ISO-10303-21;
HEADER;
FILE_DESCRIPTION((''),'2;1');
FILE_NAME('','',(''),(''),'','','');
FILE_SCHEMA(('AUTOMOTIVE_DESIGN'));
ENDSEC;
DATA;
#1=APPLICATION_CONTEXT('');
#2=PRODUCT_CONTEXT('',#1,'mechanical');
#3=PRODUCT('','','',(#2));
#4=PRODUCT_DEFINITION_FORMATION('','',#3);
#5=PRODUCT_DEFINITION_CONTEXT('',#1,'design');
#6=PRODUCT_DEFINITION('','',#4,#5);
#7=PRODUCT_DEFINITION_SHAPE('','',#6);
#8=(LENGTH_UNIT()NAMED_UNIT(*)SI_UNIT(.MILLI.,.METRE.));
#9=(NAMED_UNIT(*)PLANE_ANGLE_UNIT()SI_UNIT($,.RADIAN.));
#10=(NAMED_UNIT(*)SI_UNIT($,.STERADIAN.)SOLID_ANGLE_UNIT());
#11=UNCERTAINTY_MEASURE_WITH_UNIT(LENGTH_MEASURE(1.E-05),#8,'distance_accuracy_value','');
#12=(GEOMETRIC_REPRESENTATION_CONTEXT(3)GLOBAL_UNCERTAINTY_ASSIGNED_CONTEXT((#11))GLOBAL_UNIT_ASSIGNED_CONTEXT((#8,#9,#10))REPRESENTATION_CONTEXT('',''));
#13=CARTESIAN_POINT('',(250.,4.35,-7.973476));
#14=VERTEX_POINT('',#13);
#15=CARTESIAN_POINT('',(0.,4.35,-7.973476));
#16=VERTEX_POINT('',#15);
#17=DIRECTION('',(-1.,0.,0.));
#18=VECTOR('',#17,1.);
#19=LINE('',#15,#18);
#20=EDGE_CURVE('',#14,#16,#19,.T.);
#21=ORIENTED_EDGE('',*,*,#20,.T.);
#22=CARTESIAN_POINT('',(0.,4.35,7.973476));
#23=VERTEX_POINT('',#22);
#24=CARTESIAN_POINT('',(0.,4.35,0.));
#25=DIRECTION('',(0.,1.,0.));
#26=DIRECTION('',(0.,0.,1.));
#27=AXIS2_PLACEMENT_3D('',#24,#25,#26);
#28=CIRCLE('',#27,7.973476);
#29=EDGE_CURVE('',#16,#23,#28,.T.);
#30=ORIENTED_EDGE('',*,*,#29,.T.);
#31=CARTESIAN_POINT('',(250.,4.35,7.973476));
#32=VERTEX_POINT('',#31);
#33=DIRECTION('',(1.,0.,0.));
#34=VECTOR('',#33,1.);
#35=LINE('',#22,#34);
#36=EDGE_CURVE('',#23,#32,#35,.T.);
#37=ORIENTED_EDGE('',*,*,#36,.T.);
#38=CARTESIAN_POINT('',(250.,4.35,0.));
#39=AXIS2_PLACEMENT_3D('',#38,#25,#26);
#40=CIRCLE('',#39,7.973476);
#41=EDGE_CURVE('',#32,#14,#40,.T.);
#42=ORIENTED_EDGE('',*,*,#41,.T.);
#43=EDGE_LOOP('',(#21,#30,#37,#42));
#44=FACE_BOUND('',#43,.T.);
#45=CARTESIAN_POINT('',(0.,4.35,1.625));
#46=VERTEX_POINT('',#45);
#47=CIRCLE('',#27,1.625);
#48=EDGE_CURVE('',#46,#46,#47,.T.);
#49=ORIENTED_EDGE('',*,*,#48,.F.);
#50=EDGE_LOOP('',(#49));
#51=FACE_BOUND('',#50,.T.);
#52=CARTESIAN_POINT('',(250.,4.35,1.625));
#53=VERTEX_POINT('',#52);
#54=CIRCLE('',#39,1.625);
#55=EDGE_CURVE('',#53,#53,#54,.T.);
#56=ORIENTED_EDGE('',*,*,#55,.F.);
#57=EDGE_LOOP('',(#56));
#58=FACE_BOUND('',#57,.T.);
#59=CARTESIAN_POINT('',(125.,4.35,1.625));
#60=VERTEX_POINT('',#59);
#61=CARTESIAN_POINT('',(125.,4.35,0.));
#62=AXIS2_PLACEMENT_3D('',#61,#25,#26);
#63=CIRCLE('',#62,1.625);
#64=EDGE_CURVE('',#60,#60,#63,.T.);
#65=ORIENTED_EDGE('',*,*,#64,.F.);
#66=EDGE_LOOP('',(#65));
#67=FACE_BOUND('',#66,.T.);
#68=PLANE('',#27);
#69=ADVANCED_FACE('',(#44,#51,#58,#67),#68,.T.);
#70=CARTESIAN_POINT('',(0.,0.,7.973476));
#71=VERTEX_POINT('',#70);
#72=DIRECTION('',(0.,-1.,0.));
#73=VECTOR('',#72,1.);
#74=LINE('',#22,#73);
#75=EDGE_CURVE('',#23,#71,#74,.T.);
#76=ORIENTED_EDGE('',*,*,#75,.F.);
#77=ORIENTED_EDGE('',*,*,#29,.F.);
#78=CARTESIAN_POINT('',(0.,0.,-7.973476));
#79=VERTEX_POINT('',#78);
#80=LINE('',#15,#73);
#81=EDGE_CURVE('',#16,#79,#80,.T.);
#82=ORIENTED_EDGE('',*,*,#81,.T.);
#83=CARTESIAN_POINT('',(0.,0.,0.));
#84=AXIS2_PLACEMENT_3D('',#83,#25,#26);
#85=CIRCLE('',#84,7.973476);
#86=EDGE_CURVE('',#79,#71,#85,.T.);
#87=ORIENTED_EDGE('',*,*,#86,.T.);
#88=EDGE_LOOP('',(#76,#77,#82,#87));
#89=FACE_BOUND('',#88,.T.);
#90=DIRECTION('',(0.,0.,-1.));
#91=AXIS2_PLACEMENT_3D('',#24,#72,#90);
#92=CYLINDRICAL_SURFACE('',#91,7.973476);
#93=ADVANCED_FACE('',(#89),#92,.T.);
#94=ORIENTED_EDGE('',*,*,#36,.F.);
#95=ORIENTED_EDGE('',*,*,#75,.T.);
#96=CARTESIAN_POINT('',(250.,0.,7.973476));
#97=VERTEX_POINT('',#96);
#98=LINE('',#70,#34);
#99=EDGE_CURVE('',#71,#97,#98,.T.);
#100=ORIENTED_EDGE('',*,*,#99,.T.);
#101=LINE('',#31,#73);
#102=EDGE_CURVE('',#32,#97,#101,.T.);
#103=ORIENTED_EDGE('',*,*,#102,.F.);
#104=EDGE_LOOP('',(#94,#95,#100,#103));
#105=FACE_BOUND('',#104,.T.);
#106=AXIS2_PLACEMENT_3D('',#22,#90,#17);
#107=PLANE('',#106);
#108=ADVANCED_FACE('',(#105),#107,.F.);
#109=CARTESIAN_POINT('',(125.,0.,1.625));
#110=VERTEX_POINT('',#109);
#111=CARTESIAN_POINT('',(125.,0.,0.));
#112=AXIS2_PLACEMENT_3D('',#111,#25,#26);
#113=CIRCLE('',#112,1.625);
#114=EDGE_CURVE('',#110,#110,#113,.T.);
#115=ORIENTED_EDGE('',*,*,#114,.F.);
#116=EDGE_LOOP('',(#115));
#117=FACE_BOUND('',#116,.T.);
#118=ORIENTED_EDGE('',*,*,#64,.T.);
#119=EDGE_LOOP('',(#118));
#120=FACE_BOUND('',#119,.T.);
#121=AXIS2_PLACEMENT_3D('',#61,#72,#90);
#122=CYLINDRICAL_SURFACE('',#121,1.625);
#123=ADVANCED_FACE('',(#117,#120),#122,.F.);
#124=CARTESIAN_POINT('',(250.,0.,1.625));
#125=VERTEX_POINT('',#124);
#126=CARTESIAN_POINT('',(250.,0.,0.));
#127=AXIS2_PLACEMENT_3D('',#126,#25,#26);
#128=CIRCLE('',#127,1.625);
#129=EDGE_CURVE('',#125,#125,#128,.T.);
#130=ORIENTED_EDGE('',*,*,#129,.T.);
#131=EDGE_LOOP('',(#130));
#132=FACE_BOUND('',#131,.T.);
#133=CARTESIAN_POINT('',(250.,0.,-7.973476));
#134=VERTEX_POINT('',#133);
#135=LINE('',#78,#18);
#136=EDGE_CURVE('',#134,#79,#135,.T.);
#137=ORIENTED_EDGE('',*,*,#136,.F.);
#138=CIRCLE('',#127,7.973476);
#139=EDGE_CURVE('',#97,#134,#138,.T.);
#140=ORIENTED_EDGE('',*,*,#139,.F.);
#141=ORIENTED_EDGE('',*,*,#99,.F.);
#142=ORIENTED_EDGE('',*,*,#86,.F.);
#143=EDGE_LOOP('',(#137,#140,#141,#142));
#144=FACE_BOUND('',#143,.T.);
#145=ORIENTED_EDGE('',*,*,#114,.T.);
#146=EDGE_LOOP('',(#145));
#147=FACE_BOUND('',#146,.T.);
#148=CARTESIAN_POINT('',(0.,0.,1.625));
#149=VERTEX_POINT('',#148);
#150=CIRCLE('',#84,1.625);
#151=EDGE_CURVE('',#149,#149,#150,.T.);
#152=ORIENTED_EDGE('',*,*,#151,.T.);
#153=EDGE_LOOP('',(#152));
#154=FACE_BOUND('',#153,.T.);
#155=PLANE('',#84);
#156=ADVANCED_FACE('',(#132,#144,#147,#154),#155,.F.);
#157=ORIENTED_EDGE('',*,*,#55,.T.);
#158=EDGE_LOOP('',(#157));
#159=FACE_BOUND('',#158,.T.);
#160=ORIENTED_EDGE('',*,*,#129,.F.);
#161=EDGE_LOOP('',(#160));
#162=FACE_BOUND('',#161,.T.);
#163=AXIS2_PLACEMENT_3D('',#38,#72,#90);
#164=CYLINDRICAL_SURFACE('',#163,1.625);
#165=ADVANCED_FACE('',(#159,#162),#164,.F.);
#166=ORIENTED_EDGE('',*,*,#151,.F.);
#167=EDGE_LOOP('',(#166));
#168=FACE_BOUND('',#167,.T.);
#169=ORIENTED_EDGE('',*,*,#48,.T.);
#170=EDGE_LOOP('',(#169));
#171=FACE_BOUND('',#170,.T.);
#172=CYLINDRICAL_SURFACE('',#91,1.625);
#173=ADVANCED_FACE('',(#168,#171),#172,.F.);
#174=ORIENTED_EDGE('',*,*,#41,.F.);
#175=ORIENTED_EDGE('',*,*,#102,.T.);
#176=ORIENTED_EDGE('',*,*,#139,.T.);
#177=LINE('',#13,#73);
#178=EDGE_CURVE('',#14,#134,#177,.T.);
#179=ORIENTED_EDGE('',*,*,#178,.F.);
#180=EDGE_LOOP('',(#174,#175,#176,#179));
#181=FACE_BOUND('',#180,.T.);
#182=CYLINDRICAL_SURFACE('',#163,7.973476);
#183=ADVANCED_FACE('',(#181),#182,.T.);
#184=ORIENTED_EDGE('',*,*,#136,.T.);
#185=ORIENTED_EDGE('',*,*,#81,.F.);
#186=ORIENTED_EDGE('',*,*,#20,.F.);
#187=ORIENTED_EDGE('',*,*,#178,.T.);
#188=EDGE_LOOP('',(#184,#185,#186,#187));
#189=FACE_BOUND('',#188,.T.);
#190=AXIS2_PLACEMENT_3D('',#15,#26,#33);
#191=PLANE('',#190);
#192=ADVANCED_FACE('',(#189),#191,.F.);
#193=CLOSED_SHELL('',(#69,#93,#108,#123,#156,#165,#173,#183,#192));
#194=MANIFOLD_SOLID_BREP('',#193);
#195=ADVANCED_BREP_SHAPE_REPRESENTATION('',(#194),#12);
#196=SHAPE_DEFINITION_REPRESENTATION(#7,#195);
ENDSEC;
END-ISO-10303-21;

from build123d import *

# Parameters (mm, degrees)
SKETCH1_R           = 1.625
BOSS_EXTRUDE1_DEPTH = 4.35


with BuildPart() as part:
    # Sketch1 → Boss-Extrude1 (new body)
    with BuildSketch(Plane(origin=(0, 0, 0), x_dir=(1, 0, 0), z_dir=(0, 1, 0))):
        with BuildLine():
            Line((0, 7.973476097), (250, 7.973476097))
            ThreePointArc((250, 7.973476097), (257.973476097, 0), (250, -7.973476097))
            Line((250, -7.973476097), (0, -7.973476097))
            ThreePointArc((0, -7.973476097), (-7.973476097, 0), (0, 7.973476097))
        make_face()
        with Locations(Location((250, 0, 0), (0, 0, 270))):
            Circle(SKETCH1_R, mode=Mode.SUBTRACT)
        with Locations(Location((125, 0, 0), (0, 0, 270))):
            Circle(SKETCH1_R, mode=Mode.SUBTRACT)
        with Locations(Location((0, 0, 0), (0, 0, 270))):
            Circle(SKETCH1_R, mode=Mode.SUBTRACT)
    extrude(amount=BOSS_EXTRUDE1_DEPTH)


solid = part.part
